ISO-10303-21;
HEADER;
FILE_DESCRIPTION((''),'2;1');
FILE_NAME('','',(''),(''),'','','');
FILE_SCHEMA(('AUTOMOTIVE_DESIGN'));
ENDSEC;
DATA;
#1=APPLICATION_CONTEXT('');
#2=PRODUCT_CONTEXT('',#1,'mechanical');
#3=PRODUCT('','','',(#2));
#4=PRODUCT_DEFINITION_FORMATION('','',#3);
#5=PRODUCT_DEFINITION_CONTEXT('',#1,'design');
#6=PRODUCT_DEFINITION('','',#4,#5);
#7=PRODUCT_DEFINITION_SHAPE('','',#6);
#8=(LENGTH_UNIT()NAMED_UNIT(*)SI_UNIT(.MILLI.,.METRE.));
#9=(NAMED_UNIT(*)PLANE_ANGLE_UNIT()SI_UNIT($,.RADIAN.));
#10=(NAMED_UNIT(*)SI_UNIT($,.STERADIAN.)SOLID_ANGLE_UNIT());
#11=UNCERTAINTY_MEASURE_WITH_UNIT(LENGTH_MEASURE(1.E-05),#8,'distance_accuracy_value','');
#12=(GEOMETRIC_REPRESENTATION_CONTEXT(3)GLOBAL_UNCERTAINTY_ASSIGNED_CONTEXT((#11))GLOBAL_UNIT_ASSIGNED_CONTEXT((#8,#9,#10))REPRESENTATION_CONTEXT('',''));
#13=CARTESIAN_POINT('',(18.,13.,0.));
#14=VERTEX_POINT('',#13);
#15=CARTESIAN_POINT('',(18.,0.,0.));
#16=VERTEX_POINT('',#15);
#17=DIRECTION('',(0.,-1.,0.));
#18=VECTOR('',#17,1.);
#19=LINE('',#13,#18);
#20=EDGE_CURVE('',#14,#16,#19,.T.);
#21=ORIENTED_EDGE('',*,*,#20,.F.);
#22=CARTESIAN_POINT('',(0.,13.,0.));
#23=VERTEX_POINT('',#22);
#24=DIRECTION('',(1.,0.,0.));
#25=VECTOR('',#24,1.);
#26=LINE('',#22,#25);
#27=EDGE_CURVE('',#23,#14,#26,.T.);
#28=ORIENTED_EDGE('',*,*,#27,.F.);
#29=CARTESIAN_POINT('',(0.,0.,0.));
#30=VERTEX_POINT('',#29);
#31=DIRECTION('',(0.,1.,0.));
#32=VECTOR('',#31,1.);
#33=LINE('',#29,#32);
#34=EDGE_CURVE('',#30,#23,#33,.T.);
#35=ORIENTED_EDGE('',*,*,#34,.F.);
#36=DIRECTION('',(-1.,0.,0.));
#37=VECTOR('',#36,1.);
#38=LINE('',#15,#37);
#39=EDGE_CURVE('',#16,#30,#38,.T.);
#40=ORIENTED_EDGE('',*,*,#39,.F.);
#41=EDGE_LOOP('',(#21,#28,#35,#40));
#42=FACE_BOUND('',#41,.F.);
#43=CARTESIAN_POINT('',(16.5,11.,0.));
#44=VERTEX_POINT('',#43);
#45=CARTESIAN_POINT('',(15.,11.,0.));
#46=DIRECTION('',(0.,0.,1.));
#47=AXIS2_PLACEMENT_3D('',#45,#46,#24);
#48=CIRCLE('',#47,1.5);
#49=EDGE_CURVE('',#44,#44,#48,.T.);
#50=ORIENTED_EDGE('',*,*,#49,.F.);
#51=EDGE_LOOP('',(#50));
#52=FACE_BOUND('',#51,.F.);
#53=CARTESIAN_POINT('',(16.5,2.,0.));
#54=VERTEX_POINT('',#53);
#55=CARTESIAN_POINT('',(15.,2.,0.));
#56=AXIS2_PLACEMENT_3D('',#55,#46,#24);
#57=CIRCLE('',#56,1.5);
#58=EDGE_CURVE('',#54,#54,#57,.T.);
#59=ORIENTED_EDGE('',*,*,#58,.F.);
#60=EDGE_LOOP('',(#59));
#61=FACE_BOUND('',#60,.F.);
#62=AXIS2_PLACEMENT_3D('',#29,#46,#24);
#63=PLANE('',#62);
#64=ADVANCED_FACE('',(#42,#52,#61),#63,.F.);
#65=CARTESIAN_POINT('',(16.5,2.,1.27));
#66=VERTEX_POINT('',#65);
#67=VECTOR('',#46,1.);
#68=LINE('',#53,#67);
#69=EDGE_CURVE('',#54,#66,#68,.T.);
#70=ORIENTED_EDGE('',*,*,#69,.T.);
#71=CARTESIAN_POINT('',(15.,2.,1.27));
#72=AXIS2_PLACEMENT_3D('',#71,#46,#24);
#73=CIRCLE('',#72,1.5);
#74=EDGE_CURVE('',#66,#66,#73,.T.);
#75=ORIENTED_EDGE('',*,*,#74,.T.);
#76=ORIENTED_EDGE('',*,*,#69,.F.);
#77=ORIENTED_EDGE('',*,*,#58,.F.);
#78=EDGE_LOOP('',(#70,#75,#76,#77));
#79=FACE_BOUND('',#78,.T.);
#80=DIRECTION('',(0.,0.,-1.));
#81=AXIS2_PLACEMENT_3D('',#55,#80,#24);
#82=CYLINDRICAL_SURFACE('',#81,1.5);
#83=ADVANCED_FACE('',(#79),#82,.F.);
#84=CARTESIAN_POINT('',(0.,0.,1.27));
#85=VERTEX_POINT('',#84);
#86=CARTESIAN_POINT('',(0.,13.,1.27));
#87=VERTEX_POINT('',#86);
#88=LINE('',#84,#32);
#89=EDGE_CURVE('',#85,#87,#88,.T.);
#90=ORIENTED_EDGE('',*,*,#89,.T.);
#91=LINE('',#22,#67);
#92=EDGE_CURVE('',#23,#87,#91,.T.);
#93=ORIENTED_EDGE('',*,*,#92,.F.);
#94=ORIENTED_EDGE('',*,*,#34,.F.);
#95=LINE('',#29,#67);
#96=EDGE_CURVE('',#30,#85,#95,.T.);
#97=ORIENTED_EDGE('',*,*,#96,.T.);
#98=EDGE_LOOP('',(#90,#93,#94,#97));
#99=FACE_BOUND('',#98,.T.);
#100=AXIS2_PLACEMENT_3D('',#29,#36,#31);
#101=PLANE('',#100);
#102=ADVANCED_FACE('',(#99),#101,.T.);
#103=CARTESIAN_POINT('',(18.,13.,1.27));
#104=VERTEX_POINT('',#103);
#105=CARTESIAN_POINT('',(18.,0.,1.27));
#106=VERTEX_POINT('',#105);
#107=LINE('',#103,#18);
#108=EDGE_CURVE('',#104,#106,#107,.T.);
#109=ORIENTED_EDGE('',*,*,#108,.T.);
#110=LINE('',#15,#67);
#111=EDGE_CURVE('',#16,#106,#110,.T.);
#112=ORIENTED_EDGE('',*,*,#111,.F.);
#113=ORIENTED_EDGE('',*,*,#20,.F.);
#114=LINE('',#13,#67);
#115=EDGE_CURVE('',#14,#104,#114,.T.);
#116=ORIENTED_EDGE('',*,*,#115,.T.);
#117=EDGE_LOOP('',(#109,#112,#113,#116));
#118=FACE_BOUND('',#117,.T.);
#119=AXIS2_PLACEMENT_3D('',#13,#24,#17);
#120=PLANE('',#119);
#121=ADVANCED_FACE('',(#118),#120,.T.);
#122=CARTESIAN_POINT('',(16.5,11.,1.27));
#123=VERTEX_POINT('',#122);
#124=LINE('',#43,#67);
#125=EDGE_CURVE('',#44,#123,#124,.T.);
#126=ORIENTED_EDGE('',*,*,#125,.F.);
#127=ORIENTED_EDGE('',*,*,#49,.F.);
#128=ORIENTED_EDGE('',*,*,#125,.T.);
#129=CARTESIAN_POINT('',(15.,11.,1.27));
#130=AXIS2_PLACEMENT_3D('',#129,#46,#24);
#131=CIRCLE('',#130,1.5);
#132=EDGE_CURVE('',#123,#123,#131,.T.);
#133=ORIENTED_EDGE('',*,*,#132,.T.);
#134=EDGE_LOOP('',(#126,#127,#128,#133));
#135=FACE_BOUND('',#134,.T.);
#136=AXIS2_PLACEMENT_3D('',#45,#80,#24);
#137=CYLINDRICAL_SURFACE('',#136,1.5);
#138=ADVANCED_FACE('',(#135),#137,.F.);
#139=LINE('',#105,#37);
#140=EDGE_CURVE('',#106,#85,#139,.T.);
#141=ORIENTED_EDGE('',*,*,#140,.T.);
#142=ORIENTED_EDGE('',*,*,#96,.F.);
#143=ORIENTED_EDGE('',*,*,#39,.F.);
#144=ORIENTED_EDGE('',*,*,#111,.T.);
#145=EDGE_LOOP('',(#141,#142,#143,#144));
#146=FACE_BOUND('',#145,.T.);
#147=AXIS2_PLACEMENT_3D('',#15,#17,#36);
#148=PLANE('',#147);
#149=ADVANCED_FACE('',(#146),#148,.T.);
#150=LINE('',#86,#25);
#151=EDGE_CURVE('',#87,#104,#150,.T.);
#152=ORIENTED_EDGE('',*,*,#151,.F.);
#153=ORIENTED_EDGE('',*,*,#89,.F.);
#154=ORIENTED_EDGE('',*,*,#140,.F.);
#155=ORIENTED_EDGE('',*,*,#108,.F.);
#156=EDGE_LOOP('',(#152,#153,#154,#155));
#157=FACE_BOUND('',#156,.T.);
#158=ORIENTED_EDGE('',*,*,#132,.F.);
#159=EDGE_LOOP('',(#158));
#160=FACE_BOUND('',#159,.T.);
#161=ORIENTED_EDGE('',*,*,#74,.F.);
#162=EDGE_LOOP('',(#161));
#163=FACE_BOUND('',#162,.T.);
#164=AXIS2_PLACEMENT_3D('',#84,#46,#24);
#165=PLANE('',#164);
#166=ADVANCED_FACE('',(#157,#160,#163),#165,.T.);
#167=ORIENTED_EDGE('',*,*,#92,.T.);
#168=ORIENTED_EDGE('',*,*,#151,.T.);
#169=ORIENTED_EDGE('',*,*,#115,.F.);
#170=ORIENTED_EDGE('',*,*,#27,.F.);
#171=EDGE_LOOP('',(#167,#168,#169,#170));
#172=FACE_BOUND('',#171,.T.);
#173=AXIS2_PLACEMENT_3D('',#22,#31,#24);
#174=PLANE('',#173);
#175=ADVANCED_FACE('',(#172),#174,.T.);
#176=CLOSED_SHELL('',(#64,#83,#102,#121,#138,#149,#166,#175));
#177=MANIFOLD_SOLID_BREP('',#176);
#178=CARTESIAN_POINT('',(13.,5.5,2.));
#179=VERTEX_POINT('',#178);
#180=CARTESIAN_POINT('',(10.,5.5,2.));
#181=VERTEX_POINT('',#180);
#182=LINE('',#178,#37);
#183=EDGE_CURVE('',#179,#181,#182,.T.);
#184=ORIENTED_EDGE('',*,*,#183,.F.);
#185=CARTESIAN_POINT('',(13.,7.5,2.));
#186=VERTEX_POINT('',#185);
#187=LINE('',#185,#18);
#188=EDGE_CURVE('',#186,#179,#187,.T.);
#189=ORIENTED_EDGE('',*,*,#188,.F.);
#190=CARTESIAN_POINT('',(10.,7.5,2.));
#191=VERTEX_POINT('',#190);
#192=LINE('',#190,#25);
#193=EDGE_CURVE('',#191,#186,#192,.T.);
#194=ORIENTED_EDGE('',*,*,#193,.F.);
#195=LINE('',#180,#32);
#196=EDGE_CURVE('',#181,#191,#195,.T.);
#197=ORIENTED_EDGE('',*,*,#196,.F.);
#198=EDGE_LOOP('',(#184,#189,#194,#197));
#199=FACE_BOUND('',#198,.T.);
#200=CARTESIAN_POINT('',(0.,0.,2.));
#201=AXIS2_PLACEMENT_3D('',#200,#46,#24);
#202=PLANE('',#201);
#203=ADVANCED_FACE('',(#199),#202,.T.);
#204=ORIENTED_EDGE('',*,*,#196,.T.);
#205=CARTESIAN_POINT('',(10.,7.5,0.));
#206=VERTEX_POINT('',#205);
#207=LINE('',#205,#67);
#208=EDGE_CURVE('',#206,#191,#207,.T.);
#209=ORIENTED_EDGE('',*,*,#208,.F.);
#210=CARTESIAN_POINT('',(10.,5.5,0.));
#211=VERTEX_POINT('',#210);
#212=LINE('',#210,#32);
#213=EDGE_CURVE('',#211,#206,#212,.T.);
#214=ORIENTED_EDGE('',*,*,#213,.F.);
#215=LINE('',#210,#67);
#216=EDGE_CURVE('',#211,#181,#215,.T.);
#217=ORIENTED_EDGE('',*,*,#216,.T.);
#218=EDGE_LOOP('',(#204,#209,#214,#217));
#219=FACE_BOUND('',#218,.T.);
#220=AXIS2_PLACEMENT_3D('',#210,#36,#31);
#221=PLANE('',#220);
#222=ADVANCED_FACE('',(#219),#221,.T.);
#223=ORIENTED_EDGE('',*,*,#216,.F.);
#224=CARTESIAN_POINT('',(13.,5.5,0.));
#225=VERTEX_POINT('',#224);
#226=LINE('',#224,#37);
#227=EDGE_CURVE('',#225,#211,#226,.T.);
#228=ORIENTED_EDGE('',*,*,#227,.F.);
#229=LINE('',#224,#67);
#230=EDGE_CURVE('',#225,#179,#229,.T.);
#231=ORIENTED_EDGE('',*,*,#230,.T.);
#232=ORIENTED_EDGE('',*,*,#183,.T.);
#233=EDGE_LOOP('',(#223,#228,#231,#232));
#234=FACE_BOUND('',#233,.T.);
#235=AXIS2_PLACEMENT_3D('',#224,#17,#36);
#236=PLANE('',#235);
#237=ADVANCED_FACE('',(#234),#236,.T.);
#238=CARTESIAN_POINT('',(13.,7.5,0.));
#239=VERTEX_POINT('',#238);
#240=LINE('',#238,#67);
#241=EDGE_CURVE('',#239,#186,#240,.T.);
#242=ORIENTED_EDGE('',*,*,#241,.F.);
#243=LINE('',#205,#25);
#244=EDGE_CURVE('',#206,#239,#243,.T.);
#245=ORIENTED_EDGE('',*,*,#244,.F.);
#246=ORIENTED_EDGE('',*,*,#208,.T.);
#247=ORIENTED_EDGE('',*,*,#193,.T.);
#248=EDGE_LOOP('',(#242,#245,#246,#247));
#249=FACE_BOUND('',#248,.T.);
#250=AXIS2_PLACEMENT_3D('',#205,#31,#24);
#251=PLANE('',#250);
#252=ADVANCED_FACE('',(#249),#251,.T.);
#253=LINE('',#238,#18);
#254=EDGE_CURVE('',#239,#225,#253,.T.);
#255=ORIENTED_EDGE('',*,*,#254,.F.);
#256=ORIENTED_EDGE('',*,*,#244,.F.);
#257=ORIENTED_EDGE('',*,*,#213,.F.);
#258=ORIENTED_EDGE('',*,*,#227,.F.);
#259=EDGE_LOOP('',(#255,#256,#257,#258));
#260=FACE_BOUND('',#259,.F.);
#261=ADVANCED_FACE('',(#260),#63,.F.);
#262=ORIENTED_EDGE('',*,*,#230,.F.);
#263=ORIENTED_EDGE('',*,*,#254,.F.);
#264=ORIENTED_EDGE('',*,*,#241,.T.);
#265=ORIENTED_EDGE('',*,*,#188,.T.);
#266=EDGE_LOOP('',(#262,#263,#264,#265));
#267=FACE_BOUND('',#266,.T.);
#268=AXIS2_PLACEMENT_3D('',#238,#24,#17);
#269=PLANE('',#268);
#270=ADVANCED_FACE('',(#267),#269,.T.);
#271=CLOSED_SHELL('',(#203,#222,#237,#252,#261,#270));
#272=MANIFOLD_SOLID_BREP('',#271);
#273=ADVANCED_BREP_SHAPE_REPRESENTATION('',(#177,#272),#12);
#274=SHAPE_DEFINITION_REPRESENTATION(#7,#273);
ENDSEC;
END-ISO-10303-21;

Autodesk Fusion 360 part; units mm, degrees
sketch "Esquisse1" plane through (0, 0, 0) normal (0, 0, 1) x (1, 0, 0)
  line L0 (0, 13) -> (18, 13)
  line L1 (18, 13) -> (18, 0)
  line L2 (18, 0) -> (0, 0)
  line L3 (0, 0) -> (0, 13)
  circle A0 centre (15, 11) radius 1.5
  circle A1 centre (15, 2) radius 1.5
  line L4 (10, 7.5) -> (13, 7.5)
  line L5 (13, 7.5) -> (13, 5.5)
  line L6 (13, 5.5) -> (10, 5.5)
  line L7 (10, 5.5) -> (10, 7.5)
  line L8 (0, 6.5) -> (10, 6.5) construction
  dimension "d1" = 18
  dimension "d2" = 13
  dimension "d5" = 3
  dimension "d6" = 3
extrude "Extrusion2" add sketch "Esquisse1" along normal blind 2 contours L4 L5 L6 L7 makes body 1
extrude "Extrusion1" add sketch "Esquisse1" along normal blind 1.27 separate body contours L0 L1 L2 L3 | L4 L5 L6 L7 makes body 2
